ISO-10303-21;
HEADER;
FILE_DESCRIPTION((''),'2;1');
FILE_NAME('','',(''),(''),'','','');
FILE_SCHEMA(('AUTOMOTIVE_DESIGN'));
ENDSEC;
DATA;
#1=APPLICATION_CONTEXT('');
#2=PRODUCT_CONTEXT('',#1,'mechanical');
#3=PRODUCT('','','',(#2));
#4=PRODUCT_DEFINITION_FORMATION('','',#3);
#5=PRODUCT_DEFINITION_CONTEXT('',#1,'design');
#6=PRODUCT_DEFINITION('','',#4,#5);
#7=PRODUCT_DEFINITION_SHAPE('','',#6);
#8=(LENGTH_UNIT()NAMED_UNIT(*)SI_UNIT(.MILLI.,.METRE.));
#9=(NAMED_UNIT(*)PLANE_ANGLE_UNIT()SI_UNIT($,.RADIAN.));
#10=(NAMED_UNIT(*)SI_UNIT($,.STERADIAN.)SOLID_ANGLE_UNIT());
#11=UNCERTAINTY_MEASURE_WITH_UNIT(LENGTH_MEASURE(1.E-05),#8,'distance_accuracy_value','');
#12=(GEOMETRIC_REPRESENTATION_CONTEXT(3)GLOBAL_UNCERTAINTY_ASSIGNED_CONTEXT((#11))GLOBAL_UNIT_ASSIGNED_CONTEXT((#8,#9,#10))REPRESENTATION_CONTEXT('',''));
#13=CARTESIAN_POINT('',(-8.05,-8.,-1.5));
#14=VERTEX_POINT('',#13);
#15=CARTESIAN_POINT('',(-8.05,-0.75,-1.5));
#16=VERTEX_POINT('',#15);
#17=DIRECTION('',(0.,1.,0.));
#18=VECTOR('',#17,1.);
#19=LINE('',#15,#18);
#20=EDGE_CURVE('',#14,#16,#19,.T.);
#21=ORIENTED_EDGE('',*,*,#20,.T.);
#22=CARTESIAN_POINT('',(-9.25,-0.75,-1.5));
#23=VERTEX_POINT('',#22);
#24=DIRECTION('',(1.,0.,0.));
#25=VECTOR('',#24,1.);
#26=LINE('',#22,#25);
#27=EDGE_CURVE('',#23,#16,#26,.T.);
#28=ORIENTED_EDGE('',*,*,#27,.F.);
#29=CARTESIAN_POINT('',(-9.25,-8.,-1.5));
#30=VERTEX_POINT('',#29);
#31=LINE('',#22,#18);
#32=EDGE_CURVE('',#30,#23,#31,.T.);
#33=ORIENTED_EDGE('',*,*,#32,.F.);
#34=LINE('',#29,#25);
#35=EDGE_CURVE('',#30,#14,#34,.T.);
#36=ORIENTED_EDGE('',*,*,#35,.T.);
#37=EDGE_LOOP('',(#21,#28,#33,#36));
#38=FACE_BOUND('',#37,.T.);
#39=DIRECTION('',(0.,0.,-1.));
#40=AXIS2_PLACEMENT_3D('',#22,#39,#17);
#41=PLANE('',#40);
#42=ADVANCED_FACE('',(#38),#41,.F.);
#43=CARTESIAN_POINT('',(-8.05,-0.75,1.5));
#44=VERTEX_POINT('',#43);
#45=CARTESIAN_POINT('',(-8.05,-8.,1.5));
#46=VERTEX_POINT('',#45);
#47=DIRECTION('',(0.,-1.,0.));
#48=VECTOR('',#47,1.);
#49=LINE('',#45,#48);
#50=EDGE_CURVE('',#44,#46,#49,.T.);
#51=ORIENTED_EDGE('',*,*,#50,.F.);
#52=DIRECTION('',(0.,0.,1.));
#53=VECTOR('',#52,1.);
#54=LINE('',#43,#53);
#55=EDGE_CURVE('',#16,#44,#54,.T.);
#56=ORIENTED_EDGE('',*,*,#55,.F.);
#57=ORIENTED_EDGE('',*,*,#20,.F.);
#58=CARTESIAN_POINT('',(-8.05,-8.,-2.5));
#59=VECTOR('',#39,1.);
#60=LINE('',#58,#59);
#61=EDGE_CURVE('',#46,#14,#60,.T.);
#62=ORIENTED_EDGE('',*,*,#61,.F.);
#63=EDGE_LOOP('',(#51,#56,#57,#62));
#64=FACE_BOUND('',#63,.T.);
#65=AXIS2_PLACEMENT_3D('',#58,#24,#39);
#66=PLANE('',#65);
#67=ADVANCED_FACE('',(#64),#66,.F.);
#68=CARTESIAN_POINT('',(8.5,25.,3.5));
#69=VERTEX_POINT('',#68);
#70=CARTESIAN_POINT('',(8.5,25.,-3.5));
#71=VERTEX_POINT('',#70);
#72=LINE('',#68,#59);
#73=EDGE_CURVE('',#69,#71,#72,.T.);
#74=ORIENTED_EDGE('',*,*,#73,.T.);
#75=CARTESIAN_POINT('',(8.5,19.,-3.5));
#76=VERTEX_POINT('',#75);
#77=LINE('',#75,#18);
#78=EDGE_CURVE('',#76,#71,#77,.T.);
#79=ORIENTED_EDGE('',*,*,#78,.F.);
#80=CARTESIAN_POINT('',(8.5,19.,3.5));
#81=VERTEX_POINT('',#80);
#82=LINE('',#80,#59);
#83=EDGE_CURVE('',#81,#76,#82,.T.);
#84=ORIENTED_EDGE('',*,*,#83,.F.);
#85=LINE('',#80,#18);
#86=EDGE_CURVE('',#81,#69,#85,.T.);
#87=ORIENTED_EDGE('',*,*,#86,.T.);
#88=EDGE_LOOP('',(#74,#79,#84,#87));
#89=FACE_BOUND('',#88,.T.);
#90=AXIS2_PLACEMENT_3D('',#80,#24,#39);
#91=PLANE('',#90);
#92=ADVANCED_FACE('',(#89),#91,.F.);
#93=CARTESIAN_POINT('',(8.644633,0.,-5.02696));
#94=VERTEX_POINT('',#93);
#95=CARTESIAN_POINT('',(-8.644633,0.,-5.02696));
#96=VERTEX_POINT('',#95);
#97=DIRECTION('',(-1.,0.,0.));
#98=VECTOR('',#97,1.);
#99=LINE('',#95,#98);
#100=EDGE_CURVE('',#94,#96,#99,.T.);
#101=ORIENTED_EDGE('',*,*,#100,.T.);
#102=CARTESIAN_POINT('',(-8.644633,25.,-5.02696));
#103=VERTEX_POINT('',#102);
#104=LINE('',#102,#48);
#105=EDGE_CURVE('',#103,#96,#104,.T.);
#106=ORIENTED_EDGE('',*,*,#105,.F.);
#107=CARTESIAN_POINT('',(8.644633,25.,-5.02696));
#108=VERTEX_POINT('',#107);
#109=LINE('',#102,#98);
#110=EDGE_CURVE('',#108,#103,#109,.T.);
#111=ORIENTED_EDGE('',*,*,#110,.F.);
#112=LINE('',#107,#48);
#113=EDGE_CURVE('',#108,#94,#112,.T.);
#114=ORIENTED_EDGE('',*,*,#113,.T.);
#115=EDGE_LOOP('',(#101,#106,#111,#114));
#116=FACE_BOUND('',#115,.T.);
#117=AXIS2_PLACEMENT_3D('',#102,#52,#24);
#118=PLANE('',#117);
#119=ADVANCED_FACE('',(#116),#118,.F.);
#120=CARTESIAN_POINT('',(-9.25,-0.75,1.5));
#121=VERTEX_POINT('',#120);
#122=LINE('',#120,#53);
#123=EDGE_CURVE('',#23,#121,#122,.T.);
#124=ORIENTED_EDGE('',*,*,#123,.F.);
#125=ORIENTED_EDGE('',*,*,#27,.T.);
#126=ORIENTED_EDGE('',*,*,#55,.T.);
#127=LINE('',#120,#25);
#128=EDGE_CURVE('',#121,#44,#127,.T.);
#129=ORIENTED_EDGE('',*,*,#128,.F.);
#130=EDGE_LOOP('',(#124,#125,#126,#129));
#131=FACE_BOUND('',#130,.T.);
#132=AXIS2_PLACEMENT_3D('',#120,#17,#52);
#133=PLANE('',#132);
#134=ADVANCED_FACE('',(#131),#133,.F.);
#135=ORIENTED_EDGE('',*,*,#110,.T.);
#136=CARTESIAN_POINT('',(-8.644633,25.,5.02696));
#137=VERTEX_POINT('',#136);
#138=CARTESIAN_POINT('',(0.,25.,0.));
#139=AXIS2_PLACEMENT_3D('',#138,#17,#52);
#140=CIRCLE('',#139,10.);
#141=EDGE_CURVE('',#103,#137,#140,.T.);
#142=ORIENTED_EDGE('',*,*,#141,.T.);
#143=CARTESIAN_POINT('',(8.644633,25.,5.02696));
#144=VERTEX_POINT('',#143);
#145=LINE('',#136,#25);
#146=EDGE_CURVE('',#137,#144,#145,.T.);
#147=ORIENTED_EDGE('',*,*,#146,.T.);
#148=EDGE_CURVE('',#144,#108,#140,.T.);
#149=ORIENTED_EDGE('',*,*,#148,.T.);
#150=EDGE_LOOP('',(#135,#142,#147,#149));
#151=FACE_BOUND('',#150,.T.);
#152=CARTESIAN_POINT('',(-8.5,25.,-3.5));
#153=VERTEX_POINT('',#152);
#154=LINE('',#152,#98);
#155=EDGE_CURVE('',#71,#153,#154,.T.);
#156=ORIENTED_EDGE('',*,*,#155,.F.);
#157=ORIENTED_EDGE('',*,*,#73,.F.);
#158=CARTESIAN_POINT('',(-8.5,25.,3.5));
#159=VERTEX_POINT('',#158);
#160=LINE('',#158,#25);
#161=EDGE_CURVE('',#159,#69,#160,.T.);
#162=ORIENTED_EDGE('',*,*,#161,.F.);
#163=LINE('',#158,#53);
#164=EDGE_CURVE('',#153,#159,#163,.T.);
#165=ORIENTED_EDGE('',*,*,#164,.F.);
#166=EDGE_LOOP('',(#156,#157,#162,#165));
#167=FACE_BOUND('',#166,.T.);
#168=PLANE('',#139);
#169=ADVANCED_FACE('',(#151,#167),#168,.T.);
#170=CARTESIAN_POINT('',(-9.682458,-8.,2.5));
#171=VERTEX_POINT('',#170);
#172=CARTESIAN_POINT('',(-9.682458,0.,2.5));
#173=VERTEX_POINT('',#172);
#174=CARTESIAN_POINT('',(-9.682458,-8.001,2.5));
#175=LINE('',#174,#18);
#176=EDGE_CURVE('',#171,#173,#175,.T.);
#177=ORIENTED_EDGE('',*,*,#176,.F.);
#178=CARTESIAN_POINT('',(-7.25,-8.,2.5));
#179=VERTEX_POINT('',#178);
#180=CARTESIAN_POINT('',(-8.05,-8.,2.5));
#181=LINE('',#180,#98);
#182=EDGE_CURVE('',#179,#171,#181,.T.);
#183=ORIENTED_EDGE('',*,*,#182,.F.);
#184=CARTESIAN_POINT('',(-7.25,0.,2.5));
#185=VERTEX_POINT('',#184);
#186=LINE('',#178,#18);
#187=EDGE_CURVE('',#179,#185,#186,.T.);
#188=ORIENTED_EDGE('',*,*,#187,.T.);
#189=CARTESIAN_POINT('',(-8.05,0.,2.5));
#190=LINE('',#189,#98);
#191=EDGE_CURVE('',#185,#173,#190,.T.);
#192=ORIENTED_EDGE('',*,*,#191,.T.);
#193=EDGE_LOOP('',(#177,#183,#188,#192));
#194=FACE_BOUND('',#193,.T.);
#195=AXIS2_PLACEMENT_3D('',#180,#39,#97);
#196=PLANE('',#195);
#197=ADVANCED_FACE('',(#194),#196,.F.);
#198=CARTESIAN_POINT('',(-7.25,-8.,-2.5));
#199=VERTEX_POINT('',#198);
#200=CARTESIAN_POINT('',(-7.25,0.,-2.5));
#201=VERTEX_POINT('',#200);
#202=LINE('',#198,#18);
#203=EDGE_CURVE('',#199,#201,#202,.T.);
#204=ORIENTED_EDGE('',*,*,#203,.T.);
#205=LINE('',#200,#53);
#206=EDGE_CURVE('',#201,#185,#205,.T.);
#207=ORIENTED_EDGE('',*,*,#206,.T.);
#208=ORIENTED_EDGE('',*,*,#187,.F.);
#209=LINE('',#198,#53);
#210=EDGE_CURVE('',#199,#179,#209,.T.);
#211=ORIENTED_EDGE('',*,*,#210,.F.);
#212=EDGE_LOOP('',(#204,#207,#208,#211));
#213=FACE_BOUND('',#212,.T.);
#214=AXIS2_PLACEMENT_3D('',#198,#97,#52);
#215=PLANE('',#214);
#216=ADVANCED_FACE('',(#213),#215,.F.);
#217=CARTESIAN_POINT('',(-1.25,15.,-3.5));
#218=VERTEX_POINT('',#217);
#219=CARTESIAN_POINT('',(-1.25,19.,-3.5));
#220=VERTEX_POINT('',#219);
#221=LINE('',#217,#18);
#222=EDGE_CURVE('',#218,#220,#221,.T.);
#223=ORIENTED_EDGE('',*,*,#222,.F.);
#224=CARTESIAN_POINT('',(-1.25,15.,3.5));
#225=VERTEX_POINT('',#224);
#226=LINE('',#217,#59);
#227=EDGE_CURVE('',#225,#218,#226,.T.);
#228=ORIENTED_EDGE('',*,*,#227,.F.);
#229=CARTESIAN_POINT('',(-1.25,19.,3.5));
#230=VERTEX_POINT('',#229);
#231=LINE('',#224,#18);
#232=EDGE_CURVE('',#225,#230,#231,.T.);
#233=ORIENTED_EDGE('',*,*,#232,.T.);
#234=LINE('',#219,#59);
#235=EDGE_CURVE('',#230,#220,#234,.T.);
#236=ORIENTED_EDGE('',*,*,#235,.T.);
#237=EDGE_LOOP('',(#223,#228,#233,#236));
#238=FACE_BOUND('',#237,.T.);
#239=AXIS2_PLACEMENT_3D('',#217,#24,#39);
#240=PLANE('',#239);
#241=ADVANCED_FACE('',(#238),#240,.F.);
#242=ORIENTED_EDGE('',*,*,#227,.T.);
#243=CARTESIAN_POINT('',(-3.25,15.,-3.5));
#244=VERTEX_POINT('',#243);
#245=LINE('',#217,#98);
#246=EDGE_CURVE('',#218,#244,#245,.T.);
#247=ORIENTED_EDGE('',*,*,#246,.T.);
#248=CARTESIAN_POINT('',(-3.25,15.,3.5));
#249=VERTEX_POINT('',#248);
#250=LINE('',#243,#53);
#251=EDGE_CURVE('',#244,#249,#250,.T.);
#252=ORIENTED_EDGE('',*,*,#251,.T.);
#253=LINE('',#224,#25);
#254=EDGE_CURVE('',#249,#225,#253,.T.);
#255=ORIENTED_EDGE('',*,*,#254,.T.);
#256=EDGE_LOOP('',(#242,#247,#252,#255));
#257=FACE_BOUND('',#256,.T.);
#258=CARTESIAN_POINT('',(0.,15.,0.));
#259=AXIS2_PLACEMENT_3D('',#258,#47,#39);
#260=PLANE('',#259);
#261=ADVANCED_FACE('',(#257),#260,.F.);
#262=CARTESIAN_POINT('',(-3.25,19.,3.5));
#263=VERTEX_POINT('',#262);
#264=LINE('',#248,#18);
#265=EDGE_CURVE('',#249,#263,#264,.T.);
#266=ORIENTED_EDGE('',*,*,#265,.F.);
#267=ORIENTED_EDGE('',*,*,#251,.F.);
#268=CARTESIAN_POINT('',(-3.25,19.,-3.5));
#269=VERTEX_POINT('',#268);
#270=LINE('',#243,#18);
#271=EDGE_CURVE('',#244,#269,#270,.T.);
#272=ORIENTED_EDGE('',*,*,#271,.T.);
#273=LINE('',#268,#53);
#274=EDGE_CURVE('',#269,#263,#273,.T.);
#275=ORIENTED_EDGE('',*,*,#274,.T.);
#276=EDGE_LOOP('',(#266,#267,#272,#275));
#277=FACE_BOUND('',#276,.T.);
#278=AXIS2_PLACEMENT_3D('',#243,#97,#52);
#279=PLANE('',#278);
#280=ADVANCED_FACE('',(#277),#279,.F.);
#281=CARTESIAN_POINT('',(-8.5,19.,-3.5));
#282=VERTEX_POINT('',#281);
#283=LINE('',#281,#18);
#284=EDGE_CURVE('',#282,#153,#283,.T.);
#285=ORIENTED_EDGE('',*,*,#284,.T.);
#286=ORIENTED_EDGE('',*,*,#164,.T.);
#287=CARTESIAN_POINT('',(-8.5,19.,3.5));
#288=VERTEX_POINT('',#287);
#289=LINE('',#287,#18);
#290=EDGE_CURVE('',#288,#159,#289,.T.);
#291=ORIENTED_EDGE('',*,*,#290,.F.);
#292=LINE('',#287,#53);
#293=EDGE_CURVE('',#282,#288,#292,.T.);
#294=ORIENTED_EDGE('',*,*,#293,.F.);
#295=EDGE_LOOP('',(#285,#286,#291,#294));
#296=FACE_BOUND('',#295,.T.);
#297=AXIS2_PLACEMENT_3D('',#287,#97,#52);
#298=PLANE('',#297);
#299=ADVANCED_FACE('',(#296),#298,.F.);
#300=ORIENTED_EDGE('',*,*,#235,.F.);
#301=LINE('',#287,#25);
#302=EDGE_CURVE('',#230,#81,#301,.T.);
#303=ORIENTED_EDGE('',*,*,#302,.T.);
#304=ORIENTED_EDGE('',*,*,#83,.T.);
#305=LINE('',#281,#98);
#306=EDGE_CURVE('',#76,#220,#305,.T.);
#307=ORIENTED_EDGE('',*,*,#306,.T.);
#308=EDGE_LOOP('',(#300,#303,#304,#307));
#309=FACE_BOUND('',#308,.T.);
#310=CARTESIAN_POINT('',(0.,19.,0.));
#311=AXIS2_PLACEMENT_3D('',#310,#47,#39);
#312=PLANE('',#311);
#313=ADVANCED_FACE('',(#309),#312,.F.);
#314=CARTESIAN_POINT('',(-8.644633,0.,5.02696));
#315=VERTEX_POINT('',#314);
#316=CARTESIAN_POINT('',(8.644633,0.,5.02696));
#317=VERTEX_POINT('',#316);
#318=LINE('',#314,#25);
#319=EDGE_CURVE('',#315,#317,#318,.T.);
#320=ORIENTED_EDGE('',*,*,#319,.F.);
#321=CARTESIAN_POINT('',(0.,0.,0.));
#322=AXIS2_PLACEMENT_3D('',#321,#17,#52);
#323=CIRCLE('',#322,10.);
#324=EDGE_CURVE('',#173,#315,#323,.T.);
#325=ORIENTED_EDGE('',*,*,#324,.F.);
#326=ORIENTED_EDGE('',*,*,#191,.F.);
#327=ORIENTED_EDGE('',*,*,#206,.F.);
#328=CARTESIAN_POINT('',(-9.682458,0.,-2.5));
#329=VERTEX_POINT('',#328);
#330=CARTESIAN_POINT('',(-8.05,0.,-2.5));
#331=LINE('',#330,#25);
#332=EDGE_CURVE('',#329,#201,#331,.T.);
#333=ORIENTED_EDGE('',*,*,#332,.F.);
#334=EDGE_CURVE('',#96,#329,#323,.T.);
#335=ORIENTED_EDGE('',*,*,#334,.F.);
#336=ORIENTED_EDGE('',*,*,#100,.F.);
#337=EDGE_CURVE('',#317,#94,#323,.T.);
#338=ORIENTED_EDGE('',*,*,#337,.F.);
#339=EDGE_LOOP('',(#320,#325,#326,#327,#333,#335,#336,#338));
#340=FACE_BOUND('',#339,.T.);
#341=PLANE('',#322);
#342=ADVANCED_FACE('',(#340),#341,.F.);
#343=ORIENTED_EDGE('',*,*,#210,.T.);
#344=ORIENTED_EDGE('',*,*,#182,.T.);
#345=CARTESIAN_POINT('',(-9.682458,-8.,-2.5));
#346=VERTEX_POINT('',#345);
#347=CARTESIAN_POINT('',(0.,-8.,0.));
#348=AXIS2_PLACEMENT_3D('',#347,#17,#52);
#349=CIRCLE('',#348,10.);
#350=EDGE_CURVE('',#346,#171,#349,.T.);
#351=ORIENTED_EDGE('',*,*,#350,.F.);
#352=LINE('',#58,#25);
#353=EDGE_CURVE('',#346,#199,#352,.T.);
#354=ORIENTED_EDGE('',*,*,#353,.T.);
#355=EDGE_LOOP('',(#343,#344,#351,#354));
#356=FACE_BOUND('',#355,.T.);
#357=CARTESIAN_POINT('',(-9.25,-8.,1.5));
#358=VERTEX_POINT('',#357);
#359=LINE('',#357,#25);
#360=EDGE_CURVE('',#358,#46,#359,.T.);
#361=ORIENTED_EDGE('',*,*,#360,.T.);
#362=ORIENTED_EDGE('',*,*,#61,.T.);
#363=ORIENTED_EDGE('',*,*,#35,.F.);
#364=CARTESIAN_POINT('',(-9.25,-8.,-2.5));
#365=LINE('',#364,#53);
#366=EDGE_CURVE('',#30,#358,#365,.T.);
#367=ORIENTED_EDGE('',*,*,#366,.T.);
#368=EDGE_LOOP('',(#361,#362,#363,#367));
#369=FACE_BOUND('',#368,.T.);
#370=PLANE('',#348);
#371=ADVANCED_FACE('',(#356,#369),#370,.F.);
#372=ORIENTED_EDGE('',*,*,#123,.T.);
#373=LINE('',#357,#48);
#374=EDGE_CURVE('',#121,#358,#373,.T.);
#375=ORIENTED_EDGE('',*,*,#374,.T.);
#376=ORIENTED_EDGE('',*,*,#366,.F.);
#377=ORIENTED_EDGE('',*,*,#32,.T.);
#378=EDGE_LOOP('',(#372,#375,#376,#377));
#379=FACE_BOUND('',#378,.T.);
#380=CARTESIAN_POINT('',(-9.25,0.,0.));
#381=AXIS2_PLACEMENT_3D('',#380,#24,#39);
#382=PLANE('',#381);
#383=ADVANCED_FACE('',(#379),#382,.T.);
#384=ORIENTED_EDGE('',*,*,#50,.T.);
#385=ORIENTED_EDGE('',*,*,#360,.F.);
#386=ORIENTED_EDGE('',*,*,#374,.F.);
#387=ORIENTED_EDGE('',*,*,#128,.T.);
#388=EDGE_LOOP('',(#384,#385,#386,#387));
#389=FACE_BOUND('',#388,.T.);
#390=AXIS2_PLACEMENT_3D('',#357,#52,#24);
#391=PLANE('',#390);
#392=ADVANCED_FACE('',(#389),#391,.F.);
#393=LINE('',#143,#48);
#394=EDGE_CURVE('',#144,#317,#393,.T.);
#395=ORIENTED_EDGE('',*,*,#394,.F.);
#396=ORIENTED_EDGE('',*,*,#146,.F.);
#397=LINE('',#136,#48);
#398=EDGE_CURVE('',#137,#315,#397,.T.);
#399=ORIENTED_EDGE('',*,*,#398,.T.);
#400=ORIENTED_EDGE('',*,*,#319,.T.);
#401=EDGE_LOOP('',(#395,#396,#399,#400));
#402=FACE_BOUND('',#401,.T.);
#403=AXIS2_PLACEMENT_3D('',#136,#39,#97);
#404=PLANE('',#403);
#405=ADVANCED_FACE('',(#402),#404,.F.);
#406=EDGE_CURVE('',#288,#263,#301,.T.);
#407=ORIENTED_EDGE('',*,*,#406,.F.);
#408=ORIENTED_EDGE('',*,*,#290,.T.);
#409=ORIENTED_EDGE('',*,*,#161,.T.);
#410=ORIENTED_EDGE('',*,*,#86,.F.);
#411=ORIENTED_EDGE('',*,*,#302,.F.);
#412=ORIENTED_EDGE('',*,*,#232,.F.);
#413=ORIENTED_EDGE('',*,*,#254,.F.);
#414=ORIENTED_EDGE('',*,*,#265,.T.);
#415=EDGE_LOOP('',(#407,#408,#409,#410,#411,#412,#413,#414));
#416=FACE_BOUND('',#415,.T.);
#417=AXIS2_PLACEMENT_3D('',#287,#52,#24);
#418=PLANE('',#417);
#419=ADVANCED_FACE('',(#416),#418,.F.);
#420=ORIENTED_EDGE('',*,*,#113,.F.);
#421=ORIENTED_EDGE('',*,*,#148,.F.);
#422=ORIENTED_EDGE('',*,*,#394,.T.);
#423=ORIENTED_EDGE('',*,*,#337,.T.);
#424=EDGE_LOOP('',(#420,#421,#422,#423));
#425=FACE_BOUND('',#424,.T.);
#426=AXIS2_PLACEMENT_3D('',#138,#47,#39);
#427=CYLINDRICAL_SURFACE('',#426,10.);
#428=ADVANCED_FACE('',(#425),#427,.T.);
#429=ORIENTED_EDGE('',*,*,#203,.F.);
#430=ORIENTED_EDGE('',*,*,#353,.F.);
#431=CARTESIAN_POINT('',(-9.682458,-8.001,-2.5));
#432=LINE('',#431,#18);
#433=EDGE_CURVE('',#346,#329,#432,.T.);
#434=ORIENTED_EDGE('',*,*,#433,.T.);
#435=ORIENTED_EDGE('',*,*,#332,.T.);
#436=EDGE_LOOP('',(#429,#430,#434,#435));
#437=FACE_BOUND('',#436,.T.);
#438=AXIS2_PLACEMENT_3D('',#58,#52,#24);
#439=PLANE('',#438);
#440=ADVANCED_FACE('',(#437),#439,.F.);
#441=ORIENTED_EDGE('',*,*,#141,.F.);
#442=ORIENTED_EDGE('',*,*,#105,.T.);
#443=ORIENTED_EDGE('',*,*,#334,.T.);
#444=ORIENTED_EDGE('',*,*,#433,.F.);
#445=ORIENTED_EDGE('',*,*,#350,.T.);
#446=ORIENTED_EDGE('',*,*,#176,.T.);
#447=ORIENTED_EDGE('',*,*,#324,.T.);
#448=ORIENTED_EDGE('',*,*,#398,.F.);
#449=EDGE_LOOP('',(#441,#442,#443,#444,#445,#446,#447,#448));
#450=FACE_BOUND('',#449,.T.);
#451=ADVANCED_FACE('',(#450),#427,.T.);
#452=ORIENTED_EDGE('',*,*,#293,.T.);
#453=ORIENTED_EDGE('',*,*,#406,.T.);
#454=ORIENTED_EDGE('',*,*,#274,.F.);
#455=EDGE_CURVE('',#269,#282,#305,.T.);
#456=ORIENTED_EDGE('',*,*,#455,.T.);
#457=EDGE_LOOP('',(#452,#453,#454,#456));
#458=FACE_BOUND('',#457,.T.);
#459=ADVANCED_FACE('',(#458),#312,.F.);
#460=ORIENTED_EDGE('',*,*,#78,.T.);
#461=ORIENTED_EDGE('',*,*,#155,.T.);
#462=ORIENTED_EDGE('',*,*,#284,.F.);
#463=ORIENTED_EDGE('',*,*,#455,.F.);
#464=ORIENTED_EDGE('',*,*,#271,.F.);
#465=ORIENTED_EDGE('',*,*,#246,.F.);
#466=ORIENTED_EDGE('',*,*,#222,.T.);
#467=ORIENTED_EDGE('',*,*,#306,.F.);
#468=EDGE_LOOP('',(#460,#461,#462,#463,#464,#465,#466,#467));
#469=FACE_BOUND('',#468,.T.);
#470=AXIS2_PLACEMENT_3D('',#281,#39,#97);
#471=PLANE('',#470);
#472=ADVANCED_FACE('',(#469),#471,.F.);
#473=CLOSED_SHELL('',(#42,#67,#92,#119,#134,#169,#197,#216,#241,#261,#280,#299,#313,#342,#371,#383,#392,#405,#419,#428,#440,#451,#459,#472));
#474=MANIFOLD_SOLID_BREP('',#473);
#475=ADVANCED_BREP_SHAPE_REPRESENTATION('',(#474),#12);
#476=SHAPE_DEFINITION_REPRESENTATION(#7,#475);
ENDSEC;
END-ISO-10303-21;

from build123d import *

# Parameters (mm, degrees)
SKETCH1_R           = 10
BOSS_EXTRUDE1_DEPTH = 25
SKETCH2_W           = 0.8
SKETCH2_H           = 5
BOSS_EXTRUDE2_DEPTH = 8
BOSS_EXTRUDE3_DEPTH = 1.2
SKETCH4_W           = 17
SKETCH4_H           = 7
CUT_EXTRUDE1_DEPTH  = 6
SKETCH5_W           = 2
SKETCH5_H           = 7
CUT_EXTRUDE2_DEPTH  = 4
CUT_EXTRUDE3_DEPTH  = 25
SKETCH7_W           = 5
SKETCH7_H           = 8
BOSS_EXTRUDE4_DEPTH = 0.8
CUT_EXTRUDE4_REACH  = 29.409


with BuildPart() as part:
    # Sketch1 → Boss-Extrude1 (new body)
    with BuildSketch(Plane(origin=(0, 0, 0), x_dir=(1, 0, 0), z_dir=(0, 1, 0))):
        with Locations(Location((0, 0, 0), (0, 0, 270))):
            Circle(SKETCH1_R)
    extrude(amount=BOSS_EXTRUDE1_DEPTH)

    # Sketch4 → Cut-Extrude1 (cut)
    with BuildSketch(Plane(origin=(0, 25, 0), x_dir=(1, 0, 0), z_dir=(0, 1, 0))):
        Rectangle(SKETCH4_W, SKETCH4_H)
    extrude(amount=-CUT_EXTRUDE1_DEPTH, mode=Mode.SUBTRACT)

    # Sketch5 → Cut-Extrude2 (cut)
    with BuildSketch(Plane(origin=(0, 19, 0), x_dir=(1, 0, 0), z_dir=(0, 1, 0))):
        with Locations((-2.25, 0)):
            Rectangle(SKETCH5_W, SKETCH5_H)
    extrude(amount=-CUT_EXTRUDE2_DEPTH, mode=Mode.SUBTRACT)

    # Sketch6 → Cut-Extrude3 (cut)
    with BuildSketch(Plane.XZ):
        with BuildLine():
            Line((-8.644632716, 5.026959838), (8.644632716, 5.026959838))
            ThreePointArc((8.644632716, 5.026959838), (0, 10), (-8.644632716, 5.026959838))
        make_face()
        with BuildLine():
            Line((-8.644632716, -5.026959838), (8.644632716, -5.026959838))
            ThreePointArc((8.644632716, -5.026959838), (0, -10), (-8.644632716, -5.026959838))
        make_face()
    extrude(amount=-CUT_EXTRUDE3_DEPTH, mode=Mode.SUBTRACT)



with BuildPart() as body_2:
    # Sketch2 → Boss-Extrude2 (new body)
    with BuildSketch(Plane(origin=(0, 0, 0), x_dir=(-1, 0, 0), z_dir=(0, -1, 0))):
        with Locations((7.65, 0)):
            Rectangle(SKETCH2_W, SKETCH2_H)
    extrude(amount=BOSS_EXTRUDE2_DEPTH)

    # Sketch3 → Boss-Extrude3 (add)
    with BuildSketch(Plane.ZY.offset(8.05)):
        Polygon((-2.5, -8), (-2.5, 0), (2.5, 0), (2.5, -8), (1.5, -8), (1.5, -0.75), (-1.5, -0.75), (-1.5, -8), align=None)
    extrude(amount=BOSS_EXTRUDE3_DEPTH)


with BuildPart() as part_1:
    add(part.part)

    add(body_2.part)  # Boss-Extrude4 merges body 2
    # Sketch7 → Boss-Extrude4 (add)
    with BuildSketch(Plane.ZY.offset(9.25)):
        with Locations((0, -4)):
            Rectangle(SKETCH7_W, SKETCH7_H)
    extrude(amount=BOSS_EXTRUDE4_DEPTH)

    # Sketch8 → Cut-Extrude4 (cut, up to next)
    with BuildSketch(Plane(origin=(0, 0, 0), x_dir=(1, 0, 0), z_dir=(0, 1, 0)), mode=Mode.PRIVATE) as cut_extrude4_sk1:
        with BuildLine():
            Line((-9.682458366, 2.5), (-10.05, 2.5))
            Line((-10.05, 2.5), (-10.05, -2.5))
            Line((-10.05, -2.5), (-9.682458366, -2.5))
            ThreePointArc((-9.682458366, -2.5), (-10, 0), (-9.682458366, 2.5))
        make_face()
    cut_extrude4_tool1 = extrude(cut_extrude4_sk1.sketch, amount=-CUT_EXTRUDE4_REACH, mode=Mode.PRIVATE) & part_1.part
    add(cut_extrude4_tool1.solids().sort_by_distance((-9.866229, 0, -2.449865))[0], mode=Mode.SUBTRACT)


solid = part_1.part
